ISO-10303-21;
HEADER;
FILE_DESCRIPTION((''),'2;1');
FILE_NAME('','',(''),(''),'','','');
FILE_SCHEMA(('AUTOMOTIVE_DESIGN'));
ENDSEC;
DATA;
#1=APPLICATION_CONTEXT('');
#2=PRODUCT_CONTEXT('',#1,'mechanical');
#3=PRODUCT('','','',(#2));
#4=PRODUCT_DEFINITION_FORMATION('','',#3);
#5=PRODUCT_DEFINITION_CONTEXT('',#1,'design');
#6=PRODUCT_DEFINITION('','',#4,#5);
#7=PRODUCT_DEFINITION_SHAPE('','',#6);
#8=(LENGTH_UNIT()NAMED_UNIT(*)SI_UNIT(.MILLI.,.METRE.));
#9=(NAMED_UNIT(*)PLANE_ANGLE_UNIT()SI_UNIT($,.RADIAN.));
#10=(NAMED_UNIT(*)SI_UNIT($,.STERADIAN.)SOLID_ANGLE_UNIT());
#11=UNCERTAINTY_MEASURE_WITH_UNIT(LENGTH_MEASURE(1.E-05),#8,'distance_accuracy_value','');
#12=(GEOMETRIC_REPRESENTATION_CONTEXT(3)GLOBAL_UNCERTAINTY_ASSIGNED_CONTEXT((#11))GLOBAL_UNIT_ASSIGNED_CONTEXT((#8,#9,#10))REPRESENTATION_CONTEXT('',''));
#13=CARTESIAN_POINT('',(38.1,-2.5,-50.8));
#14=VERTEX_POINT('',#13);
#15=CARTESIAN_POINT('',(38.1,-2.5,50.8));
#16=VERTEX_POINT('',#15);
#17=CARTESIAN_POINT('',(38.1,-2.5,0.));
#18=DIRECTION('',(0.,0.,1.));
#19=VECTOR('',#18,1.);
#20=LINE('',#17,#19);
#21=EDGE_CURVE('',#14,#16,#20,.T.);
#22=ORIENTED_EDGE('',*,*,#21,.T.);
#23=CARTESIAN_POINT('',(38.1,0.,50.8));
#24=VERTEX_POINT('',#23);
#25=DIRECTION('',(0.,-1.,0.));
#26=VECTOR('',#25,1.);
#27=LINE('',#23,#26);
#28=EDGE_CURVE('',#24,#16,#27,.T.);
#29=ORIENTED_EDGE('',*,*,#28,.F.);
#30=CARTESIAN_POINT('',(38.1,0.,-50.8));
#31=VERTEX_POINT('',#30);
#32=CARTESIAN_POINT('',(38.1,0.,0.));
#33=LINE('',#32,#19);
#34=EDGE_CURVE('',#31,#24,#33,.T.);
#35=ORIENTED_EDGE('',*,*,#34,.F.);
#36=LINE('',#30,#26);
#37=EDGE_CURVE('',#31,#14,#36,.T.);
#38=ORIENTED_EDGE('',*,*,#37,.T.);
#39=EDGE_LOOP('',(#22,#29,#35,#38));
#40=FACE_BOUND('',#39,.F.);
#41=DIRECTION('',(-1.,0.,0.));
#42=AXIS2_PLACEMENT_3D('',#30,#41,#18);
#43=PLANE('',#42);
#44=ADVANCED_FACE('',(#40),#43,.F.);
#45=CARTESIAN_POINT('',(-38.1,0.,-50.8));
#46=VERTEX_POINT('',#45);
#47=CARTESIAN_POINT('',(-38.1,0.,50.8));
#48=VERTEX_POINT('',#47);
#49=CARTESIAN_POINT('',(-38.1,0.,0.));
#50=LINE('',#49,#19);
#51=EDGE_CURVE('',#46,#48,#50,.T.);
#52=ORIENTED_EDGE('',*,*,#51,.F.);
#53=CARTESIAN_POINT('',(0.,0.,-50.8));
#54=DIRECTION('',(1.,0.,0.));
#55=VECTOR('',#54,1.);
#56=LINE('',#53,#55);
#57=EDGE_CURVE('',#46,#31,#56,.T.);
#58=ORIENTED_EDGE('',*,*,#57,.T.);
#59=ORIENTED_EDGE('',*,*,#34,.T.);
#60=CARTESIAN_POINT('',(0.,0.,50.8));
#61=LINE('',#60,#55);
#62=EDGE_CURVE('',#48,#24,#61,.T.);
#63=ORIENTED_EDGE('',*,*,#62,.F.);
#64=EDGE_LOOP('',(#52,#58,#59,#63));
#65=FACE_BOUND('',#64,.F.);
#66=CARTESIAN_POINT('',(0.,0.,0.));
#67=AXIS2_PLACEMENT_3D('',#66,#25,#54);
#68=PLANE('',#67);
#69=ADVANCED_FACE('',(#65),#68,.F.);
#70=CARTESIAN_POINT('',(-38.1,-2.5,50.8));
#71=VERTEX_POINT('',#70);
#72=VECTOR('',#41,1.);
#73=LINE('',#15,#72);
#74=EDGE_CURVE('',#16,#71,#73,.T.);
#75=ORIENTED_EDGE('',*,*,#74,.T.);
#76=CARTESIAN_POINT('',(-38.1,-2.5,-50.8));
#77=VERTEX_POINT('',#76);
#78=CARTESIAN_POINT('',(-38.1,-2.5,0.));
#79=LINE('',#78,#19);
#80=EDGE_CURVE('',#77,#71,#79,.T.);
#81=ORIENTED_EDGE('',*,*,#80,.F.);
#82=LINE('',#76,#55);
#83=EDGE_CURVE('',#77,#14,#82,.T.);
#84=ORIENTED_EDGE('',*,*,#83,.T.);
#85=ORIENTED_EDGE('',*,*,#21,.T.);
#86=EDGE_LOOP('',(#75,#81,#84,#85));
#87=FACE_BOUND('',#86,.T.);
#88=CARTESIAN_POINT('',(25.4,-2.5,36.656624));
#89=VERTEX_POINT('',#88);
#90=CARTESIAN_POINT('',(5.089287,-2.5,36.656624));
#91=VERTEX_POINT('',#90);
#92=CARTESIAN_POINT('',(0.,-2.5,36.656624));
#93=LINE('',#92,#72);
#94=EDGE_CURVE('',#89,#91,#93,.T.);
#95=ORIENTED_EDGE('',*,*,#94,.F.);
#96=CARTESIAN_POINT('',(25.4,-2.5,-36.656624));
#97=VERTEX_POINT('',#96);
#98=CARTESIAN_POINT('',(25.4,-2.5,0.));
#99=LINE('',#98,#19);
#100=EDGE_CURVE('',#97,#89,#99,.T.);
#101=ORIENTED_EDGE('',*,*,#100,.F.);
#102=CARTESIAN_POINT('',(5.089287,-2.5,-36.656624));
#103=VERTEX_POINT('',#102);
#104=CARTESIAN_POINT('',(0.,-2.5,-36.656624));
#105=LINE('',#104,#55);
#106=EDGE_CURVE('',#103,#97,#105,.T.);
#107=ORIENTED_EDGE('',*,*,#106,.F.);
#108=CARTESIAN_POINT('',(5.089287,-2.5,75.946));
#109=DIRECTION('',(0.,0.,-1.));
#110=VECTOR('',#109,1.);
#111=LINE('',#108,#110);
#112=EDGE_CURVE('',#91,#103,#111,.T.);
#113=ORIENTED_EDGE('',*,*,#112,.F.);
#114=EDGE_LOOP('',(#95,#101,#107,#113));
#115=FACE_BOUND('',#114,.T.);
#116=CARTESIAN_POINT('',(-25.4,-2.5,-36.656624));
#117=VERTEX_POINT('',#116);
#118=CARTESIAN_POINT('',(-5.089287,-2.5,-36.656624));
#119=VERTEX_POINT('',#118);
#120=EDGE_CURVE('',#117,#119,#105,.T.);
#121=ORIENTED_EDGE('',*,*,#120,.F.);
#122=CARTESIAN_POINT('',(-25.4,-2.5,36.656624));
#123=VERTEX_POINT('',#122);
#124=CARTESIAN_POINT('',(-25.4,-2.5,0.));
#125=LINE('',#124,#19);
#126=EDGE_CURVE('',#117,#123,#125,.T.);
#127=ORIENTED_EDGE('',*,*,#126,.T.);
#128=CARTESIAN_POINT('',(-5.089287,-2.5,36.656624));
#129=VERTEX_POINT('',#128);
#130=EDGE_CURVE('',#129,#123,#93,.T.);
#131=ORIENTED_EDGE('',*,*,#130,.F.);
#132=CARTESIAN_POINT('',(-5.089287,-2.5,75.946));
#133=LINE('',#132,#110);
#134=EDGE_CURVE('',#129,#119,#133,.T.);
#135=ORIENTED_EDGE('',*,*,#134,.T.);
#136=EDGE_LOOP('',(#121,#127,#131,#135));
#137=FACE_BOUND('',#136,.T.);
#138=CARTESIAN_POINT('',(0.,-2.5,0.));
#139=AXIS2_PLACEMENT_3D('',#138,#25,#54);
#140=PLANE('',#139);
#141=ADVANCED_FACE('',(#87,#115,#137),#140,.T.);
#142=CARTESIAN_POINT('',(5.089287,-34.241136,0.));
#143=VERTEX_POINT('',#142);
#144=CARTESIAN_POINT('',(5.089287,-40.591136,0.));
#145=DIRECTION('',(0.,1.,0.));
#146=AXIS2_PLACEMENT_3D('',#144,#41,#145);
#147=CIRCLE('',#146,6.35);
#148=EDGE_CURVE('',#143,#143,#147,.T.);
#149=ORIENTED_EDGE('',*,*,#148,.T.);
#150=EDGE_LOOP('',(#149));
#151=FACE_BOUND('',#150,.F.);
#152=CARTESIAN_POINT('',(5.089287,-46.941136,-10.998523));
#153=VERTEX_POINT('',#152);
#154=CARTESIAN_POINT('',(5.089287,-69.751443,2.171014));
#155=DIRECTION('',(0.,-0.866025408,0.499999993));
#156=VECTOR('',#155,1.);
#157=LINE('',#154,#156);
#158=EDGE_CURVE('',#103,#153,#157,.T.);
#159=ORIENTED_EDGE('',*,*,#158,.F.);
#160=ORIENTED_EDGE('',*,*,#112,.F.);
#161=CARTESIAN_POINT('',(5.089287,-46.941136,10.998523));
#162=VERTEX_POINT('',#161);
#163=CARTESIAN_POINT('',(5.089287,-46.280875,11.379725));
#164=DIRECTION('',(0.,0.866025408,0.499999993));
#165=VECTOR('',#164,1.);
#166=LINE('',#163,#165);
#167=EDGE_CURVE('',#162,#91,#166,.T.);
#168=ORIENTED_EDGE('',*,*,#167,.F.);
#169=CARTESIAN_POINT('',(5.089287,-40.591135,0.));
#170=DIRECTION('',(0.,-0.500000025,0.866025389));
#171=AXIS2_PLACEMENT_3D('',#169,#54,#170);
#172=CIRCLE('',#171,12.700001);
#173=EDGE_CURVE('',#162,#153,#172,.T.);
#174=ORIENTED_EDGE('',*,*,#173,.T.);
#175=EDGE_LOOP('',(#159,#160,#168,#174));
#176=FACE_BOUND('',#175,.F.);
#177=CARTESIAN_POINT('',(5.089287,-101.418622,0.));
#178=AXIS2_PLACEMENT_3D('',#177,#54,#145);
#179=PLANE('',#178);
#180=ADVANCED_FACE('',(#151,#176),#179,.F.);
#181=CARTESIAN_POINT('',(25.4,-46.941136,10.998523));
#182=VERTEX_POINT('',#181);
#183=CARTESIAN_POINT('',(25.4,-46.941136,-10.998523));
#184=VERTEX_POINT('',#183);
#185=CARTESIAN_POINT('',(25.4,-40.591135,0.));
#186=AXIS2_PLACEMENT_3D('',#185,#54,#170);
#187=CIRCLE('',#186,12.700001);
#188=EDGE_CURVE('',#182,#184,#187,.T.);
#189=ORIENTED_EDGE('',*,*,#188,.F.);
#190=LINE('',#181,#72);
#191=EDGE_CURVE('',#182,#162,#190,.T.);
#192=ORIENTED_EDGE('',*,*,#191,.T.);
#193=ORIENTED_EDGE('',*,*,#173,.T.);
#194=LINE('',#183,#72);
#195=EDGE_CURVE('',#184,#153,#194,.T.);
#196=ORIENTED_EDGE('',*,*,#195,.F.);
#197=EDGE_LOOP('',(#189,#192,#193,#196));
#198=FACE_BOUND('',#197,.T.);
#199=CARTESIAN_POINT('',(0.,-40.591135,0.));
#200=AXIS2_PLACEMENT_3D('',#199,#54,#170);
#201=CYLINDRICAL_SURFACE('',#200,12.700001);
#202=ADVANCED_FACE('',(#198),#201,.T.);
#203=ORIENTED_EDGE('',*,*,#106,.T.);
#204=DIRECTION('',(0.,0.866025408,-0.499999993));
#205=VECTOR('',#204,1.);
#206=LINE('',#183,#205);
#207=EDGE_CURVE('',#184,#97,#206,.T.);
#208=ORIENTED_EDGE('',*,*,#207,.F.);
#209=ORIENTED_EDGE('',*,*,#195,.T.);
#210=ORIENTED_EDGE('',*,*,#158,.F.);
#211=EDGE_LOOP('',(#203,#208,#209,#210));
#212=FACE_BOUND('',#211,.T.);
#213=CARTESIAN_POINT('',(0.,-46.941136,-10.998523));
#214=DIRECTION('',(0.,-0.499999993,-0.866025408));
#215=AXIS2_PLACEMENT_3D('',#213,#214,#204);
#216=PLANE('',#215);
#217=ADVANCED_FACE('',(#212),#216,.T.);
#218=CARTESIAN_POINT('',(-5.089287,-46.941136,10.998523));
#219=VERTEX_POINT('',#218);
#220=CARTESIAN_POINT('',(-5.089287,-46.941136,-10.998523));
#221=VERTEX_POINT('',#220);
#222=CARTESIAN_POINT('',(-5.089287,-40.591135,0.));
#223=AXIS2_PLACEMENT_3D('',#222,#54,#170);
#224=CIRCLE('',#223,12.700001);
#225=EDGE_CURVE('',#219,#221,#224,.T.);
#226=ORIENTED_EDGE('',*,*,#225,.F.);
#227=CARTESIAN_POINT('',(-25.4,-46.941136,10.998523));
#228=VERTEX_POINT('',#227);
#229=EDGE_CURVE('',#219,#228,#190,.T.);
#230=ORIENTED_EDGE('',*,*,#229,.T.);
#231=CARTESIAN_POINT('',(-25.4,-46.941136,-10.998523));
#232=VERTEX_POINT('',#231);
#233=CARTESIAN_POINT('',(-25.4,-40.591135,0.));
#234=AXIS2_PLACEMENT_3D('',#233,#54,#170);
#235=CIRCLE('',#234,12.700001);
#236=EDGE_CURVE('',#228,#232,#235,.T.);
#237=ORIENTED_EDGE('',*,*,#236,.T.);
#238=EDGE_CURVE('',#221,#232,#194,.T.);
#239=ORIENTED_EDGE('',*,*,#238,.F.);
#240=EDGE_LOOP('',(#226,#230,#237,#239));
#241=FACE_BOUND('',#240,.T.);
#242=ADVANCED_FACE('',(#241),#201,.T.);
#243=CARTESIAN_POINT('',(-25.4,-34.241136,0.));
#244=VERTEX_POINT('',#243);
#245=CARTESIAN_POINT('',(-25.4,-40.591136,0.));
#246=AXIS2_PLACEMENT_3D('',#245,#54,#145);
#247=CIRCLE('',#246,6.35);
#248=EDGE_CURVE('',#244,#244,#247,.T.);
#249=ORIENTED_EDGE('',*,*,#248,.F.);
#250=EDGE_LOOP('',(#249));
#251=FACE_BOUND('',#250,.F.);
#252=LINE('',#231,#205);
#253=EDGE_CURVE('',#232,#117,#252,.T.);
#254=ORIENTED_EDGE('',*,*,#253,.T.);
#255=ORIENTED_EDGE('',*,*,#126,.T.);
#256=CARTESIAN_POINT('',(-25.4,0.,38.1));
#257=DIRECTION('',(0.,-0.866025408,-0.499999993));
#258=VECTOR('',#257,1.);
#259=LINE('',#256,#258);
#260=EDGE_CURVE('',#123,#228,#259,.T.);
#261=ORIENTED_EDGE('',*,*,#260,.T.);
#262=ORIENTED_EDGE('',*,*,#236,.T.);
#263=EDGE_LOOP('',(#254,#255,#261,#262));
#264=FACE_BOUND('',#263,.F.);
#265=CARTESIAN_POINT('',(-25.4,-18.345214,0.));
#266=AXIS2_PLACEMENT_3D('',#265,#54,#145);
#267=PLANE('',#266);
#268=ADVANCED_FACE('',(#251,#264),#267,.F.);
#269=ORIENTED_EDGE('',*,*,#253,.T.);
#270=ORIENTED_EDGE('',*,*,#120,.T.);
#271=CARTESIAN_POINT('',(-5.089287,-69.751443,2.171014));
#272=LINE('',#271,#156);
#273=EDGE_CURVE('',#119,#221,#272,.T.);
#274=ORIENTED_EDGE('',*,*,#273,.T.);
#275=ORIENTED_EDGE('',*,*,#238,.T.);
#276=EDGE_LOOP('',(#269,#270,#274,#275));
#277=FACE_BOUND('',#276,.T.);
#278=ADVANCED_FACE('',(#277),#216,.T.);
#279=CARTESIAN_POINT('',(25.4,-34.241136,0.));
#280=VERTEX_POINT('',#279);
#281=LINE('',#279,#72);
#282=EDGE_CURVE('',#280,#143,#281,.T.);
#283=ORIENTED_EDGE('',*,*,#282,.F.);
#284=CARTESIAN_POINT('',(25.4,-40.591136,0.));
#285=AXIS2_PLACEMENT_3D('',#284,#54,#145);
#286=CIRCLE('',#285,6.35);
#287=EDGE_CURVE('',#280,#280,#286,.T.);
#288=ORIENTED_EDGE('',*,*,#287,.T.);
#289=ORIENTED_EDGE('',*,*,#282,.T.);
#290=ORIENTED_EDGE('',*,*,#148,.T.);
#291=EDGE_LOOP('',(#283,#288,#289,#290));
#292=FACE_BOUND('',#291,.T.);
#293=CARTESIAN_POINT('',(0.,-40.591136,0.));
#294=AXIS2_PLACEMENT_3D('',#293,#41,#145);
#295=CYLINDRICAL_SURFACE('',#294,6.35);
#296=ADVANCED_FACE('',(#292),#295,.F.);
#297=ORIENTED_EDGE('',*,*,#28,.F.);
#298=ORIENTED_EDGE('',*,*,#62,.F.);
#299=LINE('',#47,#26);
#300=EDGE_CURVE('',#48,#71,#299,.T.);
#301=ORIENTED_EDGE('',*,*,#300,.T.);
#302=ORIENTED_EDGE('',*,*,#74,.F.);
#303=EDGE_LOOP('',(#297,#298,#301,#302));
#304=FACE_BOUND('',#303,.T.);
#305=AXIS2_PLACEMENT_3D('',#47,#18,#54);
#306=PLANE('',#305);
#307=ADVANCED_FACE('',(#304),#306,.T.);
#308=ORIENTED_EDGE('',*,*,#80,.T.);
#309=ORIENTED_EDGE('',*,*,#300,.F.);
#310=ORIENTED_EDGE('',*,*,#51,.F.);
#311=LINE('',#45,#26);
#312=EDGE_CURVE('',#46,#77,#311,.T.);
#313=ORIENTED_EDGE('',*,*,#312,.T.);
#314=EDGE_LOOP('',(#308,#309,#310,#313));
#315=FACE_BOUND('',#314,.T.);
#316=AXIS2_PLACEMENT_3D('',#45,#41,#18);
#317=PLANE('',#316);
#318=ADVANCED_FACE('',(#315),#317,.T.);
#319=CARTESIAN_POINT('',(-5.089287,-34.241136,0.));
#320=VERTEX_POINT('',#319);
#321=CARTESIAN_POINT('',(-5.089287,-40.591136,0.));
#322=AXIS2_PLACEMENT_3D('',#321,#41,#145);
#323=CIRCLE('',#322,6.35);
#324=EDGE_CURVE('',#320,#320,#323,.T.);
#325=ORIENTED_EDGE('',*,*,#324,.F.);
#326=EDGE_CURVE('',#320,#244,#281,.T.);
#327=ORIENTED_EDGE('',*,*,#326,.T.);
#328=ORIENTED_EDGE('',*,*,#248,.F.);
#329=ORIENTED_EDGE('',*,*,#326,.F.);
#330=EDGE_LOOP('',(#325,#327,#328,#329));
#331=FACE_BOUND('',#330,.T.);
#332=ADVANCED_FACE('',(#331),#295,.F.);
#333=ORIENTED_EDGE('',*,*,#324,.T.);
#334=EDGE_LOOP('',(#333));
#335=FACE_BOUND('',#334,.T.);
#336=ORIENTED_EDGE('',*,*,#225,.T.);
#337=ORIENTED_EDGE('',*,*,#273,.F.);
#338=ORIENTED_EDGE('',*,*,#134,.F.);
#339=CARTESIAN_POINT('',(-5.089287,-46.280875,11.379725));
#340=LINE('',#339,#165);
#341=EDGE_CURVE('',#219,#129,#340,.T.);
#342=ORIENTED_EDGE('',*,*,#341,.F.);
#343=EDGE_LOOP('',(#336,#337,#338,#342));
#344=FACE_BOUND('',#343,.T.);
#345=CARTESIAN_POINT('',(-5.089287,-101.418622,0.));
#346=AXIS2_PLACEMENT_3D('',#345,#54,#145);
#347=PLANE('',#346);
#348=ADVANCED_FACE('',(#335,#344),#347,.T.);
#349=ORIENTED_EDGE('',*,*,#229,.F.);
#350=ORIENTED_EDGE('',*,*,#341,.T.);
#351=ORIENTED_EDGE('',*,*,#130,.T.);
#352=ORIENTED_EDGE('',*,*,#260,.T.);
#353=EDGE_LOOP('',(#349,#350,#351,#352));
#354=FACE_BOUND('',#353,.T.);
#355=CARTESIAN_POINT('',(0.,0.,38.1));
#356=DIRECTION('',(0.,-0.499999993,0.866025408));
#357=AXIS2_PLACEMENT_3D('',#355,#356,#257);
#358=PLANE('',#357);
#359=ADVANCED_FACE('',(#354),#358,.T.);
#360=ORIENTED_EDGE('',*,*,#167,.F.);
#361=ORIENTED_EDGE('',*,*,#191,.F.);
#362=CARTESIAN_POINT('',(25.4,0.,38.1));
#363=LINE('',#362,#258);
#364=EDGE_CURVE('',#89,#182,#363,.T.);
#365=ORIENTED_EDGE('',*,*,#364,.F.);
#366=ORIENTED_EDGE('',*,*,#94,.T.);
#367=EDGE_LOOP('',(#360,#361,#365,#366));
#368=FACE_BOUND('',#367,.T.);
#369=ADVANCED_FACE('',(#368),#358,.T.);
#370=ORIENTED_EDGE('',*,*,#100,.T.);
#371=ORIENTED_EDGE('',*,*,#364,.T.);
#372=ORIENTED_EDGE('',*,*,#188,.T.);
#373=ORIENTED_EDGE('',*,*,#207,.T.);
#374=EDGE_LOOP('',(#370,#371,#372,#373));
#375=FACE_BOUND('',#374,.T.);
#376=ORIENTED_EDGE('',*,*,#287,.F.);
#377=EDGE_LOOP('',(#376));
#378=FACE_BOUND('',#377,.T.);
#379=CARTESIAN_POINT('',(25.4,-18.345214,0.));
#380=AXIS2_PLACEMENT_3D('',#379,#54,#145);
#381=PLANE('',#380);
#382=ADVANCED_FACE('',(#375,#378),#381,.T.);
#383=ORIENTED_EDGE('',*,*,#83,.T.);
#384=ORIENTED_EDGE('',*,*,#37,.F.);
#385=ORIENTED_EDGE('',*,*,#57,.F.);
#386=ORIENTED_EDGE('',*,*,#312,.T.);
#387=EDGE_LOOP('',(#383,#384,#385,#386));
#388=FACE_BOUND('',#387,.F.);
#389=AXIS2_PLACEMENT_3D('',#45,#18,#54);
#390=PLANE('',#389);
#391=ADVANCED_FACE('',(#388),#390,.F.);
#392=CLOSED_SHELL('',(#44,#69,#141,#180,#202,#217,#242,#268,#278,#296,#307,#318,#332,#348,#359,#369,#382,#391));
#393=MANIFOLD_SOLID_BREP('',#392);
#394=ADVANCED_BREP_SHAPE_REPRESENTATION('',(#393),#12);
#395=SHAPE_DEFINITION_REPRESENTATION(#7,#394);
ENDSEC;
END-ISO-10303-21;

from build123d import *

# Parameters (mm, degrees)
F0_W     = 76.2
F0_H     = 101.6
F1_DEPTH = 2.5
F2_R     = 6.35
F3_DEPTH = 25.4
F4_W     = 10.178574
F4_H     = 98.918622
F5_DEPTH = 75.946


with BuildPart() as f1:
    # F0 (on Front) → F1 (new body)
    with BuildSketch(Plane.XZ):
        Rectangle(F0_W, F0_H)
    extrude(amount=F1_DEPTH)

    # F2 (on Right) → F3 (join, symmetric)
    with BuildSketch(Plane.YZ):
        with BuildLine():
            Line((-46.941136, -10.998523), (0, -38.1))
            Line((0, -38.1), (0, 38.1))
            Line((0, 38.1), (-46.941136, 10.998523))
            ThreePointArc((-46.941136, 10.998523), (-53.291136, 0), (-46.941136, -10.998523))
        make_face()
        with Locations((-40.591136, 0)):
            Circle(F2_R, mode=Mode.SUBTRACT)
    extrude(amount=F3_DEPTH, both=True)

    # F4 (on Top) → F5 (cut, symmetric)
    with BuildSketch(Plane.XY):
        with Locations((0, -51.959311)):
            Rectangle(F4_W, F4_H)
    extrude(amount=F5_DEPTH, both=True, mode=Mode.SUBTRACT)


solid = f1.part
